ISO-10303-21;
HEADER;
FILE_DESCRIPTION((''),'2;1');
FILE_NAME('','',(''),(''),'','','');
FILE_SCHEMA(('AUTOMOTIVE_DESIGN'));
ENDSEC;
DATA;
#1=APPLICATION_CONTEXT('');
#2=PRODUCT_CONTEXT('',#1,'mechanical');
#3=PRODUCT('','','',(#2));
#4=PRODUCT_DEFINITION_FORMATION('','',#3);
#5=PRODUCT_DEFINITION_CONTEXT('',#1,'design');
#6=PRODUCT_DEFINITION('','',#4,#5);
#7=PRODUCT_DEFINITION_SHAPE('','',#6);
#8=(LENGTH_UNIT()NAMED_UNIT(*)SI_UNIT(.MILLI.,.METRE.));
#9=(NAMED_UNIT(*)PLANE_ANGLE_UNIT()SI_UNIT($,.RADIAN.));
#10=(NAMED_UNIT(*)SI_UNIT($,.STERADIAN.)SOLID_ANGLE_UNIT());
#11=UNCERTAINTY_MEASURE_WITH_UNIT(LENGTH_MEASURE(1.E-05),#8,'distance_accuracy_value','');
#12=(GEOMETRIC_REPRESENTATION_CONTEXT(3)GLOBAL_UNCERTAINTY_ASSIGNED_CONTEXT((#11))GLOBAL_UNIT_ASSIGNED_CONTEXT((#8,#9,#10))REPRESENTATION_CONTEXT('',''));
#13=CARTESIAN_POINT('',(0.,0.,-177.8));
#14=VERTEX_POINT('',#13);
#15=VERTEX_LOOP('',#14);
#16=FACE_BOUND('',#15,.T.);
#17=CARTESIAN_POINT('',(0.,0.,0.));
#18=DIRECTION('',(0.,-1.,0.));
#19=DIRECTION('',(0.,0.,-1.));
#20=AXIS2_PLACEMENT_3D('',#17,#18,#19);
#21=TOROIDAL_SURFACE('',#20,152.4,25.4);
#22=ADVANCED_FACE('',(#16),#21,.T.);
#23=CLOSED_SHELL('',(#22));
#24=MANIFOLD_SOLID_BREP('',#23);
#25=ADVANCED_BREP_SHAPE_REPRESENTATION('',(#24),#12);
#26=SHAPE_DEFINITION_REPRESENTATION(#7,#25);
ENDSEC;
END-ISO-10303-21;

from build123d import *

# Parameters (mm, degrees)
SKETCH1_R = 25.4


with BuildPart() as part:
    # Sketch1 → Revolve1 (revolve)
    with BuildSketch(Plane.XY):
        with Locations((152.4, 0)):
            Circle(SKETCH1_R)
    revolve(axis=Axis((0, 0, 0), (0, 1, 0)))


solid = part.part
